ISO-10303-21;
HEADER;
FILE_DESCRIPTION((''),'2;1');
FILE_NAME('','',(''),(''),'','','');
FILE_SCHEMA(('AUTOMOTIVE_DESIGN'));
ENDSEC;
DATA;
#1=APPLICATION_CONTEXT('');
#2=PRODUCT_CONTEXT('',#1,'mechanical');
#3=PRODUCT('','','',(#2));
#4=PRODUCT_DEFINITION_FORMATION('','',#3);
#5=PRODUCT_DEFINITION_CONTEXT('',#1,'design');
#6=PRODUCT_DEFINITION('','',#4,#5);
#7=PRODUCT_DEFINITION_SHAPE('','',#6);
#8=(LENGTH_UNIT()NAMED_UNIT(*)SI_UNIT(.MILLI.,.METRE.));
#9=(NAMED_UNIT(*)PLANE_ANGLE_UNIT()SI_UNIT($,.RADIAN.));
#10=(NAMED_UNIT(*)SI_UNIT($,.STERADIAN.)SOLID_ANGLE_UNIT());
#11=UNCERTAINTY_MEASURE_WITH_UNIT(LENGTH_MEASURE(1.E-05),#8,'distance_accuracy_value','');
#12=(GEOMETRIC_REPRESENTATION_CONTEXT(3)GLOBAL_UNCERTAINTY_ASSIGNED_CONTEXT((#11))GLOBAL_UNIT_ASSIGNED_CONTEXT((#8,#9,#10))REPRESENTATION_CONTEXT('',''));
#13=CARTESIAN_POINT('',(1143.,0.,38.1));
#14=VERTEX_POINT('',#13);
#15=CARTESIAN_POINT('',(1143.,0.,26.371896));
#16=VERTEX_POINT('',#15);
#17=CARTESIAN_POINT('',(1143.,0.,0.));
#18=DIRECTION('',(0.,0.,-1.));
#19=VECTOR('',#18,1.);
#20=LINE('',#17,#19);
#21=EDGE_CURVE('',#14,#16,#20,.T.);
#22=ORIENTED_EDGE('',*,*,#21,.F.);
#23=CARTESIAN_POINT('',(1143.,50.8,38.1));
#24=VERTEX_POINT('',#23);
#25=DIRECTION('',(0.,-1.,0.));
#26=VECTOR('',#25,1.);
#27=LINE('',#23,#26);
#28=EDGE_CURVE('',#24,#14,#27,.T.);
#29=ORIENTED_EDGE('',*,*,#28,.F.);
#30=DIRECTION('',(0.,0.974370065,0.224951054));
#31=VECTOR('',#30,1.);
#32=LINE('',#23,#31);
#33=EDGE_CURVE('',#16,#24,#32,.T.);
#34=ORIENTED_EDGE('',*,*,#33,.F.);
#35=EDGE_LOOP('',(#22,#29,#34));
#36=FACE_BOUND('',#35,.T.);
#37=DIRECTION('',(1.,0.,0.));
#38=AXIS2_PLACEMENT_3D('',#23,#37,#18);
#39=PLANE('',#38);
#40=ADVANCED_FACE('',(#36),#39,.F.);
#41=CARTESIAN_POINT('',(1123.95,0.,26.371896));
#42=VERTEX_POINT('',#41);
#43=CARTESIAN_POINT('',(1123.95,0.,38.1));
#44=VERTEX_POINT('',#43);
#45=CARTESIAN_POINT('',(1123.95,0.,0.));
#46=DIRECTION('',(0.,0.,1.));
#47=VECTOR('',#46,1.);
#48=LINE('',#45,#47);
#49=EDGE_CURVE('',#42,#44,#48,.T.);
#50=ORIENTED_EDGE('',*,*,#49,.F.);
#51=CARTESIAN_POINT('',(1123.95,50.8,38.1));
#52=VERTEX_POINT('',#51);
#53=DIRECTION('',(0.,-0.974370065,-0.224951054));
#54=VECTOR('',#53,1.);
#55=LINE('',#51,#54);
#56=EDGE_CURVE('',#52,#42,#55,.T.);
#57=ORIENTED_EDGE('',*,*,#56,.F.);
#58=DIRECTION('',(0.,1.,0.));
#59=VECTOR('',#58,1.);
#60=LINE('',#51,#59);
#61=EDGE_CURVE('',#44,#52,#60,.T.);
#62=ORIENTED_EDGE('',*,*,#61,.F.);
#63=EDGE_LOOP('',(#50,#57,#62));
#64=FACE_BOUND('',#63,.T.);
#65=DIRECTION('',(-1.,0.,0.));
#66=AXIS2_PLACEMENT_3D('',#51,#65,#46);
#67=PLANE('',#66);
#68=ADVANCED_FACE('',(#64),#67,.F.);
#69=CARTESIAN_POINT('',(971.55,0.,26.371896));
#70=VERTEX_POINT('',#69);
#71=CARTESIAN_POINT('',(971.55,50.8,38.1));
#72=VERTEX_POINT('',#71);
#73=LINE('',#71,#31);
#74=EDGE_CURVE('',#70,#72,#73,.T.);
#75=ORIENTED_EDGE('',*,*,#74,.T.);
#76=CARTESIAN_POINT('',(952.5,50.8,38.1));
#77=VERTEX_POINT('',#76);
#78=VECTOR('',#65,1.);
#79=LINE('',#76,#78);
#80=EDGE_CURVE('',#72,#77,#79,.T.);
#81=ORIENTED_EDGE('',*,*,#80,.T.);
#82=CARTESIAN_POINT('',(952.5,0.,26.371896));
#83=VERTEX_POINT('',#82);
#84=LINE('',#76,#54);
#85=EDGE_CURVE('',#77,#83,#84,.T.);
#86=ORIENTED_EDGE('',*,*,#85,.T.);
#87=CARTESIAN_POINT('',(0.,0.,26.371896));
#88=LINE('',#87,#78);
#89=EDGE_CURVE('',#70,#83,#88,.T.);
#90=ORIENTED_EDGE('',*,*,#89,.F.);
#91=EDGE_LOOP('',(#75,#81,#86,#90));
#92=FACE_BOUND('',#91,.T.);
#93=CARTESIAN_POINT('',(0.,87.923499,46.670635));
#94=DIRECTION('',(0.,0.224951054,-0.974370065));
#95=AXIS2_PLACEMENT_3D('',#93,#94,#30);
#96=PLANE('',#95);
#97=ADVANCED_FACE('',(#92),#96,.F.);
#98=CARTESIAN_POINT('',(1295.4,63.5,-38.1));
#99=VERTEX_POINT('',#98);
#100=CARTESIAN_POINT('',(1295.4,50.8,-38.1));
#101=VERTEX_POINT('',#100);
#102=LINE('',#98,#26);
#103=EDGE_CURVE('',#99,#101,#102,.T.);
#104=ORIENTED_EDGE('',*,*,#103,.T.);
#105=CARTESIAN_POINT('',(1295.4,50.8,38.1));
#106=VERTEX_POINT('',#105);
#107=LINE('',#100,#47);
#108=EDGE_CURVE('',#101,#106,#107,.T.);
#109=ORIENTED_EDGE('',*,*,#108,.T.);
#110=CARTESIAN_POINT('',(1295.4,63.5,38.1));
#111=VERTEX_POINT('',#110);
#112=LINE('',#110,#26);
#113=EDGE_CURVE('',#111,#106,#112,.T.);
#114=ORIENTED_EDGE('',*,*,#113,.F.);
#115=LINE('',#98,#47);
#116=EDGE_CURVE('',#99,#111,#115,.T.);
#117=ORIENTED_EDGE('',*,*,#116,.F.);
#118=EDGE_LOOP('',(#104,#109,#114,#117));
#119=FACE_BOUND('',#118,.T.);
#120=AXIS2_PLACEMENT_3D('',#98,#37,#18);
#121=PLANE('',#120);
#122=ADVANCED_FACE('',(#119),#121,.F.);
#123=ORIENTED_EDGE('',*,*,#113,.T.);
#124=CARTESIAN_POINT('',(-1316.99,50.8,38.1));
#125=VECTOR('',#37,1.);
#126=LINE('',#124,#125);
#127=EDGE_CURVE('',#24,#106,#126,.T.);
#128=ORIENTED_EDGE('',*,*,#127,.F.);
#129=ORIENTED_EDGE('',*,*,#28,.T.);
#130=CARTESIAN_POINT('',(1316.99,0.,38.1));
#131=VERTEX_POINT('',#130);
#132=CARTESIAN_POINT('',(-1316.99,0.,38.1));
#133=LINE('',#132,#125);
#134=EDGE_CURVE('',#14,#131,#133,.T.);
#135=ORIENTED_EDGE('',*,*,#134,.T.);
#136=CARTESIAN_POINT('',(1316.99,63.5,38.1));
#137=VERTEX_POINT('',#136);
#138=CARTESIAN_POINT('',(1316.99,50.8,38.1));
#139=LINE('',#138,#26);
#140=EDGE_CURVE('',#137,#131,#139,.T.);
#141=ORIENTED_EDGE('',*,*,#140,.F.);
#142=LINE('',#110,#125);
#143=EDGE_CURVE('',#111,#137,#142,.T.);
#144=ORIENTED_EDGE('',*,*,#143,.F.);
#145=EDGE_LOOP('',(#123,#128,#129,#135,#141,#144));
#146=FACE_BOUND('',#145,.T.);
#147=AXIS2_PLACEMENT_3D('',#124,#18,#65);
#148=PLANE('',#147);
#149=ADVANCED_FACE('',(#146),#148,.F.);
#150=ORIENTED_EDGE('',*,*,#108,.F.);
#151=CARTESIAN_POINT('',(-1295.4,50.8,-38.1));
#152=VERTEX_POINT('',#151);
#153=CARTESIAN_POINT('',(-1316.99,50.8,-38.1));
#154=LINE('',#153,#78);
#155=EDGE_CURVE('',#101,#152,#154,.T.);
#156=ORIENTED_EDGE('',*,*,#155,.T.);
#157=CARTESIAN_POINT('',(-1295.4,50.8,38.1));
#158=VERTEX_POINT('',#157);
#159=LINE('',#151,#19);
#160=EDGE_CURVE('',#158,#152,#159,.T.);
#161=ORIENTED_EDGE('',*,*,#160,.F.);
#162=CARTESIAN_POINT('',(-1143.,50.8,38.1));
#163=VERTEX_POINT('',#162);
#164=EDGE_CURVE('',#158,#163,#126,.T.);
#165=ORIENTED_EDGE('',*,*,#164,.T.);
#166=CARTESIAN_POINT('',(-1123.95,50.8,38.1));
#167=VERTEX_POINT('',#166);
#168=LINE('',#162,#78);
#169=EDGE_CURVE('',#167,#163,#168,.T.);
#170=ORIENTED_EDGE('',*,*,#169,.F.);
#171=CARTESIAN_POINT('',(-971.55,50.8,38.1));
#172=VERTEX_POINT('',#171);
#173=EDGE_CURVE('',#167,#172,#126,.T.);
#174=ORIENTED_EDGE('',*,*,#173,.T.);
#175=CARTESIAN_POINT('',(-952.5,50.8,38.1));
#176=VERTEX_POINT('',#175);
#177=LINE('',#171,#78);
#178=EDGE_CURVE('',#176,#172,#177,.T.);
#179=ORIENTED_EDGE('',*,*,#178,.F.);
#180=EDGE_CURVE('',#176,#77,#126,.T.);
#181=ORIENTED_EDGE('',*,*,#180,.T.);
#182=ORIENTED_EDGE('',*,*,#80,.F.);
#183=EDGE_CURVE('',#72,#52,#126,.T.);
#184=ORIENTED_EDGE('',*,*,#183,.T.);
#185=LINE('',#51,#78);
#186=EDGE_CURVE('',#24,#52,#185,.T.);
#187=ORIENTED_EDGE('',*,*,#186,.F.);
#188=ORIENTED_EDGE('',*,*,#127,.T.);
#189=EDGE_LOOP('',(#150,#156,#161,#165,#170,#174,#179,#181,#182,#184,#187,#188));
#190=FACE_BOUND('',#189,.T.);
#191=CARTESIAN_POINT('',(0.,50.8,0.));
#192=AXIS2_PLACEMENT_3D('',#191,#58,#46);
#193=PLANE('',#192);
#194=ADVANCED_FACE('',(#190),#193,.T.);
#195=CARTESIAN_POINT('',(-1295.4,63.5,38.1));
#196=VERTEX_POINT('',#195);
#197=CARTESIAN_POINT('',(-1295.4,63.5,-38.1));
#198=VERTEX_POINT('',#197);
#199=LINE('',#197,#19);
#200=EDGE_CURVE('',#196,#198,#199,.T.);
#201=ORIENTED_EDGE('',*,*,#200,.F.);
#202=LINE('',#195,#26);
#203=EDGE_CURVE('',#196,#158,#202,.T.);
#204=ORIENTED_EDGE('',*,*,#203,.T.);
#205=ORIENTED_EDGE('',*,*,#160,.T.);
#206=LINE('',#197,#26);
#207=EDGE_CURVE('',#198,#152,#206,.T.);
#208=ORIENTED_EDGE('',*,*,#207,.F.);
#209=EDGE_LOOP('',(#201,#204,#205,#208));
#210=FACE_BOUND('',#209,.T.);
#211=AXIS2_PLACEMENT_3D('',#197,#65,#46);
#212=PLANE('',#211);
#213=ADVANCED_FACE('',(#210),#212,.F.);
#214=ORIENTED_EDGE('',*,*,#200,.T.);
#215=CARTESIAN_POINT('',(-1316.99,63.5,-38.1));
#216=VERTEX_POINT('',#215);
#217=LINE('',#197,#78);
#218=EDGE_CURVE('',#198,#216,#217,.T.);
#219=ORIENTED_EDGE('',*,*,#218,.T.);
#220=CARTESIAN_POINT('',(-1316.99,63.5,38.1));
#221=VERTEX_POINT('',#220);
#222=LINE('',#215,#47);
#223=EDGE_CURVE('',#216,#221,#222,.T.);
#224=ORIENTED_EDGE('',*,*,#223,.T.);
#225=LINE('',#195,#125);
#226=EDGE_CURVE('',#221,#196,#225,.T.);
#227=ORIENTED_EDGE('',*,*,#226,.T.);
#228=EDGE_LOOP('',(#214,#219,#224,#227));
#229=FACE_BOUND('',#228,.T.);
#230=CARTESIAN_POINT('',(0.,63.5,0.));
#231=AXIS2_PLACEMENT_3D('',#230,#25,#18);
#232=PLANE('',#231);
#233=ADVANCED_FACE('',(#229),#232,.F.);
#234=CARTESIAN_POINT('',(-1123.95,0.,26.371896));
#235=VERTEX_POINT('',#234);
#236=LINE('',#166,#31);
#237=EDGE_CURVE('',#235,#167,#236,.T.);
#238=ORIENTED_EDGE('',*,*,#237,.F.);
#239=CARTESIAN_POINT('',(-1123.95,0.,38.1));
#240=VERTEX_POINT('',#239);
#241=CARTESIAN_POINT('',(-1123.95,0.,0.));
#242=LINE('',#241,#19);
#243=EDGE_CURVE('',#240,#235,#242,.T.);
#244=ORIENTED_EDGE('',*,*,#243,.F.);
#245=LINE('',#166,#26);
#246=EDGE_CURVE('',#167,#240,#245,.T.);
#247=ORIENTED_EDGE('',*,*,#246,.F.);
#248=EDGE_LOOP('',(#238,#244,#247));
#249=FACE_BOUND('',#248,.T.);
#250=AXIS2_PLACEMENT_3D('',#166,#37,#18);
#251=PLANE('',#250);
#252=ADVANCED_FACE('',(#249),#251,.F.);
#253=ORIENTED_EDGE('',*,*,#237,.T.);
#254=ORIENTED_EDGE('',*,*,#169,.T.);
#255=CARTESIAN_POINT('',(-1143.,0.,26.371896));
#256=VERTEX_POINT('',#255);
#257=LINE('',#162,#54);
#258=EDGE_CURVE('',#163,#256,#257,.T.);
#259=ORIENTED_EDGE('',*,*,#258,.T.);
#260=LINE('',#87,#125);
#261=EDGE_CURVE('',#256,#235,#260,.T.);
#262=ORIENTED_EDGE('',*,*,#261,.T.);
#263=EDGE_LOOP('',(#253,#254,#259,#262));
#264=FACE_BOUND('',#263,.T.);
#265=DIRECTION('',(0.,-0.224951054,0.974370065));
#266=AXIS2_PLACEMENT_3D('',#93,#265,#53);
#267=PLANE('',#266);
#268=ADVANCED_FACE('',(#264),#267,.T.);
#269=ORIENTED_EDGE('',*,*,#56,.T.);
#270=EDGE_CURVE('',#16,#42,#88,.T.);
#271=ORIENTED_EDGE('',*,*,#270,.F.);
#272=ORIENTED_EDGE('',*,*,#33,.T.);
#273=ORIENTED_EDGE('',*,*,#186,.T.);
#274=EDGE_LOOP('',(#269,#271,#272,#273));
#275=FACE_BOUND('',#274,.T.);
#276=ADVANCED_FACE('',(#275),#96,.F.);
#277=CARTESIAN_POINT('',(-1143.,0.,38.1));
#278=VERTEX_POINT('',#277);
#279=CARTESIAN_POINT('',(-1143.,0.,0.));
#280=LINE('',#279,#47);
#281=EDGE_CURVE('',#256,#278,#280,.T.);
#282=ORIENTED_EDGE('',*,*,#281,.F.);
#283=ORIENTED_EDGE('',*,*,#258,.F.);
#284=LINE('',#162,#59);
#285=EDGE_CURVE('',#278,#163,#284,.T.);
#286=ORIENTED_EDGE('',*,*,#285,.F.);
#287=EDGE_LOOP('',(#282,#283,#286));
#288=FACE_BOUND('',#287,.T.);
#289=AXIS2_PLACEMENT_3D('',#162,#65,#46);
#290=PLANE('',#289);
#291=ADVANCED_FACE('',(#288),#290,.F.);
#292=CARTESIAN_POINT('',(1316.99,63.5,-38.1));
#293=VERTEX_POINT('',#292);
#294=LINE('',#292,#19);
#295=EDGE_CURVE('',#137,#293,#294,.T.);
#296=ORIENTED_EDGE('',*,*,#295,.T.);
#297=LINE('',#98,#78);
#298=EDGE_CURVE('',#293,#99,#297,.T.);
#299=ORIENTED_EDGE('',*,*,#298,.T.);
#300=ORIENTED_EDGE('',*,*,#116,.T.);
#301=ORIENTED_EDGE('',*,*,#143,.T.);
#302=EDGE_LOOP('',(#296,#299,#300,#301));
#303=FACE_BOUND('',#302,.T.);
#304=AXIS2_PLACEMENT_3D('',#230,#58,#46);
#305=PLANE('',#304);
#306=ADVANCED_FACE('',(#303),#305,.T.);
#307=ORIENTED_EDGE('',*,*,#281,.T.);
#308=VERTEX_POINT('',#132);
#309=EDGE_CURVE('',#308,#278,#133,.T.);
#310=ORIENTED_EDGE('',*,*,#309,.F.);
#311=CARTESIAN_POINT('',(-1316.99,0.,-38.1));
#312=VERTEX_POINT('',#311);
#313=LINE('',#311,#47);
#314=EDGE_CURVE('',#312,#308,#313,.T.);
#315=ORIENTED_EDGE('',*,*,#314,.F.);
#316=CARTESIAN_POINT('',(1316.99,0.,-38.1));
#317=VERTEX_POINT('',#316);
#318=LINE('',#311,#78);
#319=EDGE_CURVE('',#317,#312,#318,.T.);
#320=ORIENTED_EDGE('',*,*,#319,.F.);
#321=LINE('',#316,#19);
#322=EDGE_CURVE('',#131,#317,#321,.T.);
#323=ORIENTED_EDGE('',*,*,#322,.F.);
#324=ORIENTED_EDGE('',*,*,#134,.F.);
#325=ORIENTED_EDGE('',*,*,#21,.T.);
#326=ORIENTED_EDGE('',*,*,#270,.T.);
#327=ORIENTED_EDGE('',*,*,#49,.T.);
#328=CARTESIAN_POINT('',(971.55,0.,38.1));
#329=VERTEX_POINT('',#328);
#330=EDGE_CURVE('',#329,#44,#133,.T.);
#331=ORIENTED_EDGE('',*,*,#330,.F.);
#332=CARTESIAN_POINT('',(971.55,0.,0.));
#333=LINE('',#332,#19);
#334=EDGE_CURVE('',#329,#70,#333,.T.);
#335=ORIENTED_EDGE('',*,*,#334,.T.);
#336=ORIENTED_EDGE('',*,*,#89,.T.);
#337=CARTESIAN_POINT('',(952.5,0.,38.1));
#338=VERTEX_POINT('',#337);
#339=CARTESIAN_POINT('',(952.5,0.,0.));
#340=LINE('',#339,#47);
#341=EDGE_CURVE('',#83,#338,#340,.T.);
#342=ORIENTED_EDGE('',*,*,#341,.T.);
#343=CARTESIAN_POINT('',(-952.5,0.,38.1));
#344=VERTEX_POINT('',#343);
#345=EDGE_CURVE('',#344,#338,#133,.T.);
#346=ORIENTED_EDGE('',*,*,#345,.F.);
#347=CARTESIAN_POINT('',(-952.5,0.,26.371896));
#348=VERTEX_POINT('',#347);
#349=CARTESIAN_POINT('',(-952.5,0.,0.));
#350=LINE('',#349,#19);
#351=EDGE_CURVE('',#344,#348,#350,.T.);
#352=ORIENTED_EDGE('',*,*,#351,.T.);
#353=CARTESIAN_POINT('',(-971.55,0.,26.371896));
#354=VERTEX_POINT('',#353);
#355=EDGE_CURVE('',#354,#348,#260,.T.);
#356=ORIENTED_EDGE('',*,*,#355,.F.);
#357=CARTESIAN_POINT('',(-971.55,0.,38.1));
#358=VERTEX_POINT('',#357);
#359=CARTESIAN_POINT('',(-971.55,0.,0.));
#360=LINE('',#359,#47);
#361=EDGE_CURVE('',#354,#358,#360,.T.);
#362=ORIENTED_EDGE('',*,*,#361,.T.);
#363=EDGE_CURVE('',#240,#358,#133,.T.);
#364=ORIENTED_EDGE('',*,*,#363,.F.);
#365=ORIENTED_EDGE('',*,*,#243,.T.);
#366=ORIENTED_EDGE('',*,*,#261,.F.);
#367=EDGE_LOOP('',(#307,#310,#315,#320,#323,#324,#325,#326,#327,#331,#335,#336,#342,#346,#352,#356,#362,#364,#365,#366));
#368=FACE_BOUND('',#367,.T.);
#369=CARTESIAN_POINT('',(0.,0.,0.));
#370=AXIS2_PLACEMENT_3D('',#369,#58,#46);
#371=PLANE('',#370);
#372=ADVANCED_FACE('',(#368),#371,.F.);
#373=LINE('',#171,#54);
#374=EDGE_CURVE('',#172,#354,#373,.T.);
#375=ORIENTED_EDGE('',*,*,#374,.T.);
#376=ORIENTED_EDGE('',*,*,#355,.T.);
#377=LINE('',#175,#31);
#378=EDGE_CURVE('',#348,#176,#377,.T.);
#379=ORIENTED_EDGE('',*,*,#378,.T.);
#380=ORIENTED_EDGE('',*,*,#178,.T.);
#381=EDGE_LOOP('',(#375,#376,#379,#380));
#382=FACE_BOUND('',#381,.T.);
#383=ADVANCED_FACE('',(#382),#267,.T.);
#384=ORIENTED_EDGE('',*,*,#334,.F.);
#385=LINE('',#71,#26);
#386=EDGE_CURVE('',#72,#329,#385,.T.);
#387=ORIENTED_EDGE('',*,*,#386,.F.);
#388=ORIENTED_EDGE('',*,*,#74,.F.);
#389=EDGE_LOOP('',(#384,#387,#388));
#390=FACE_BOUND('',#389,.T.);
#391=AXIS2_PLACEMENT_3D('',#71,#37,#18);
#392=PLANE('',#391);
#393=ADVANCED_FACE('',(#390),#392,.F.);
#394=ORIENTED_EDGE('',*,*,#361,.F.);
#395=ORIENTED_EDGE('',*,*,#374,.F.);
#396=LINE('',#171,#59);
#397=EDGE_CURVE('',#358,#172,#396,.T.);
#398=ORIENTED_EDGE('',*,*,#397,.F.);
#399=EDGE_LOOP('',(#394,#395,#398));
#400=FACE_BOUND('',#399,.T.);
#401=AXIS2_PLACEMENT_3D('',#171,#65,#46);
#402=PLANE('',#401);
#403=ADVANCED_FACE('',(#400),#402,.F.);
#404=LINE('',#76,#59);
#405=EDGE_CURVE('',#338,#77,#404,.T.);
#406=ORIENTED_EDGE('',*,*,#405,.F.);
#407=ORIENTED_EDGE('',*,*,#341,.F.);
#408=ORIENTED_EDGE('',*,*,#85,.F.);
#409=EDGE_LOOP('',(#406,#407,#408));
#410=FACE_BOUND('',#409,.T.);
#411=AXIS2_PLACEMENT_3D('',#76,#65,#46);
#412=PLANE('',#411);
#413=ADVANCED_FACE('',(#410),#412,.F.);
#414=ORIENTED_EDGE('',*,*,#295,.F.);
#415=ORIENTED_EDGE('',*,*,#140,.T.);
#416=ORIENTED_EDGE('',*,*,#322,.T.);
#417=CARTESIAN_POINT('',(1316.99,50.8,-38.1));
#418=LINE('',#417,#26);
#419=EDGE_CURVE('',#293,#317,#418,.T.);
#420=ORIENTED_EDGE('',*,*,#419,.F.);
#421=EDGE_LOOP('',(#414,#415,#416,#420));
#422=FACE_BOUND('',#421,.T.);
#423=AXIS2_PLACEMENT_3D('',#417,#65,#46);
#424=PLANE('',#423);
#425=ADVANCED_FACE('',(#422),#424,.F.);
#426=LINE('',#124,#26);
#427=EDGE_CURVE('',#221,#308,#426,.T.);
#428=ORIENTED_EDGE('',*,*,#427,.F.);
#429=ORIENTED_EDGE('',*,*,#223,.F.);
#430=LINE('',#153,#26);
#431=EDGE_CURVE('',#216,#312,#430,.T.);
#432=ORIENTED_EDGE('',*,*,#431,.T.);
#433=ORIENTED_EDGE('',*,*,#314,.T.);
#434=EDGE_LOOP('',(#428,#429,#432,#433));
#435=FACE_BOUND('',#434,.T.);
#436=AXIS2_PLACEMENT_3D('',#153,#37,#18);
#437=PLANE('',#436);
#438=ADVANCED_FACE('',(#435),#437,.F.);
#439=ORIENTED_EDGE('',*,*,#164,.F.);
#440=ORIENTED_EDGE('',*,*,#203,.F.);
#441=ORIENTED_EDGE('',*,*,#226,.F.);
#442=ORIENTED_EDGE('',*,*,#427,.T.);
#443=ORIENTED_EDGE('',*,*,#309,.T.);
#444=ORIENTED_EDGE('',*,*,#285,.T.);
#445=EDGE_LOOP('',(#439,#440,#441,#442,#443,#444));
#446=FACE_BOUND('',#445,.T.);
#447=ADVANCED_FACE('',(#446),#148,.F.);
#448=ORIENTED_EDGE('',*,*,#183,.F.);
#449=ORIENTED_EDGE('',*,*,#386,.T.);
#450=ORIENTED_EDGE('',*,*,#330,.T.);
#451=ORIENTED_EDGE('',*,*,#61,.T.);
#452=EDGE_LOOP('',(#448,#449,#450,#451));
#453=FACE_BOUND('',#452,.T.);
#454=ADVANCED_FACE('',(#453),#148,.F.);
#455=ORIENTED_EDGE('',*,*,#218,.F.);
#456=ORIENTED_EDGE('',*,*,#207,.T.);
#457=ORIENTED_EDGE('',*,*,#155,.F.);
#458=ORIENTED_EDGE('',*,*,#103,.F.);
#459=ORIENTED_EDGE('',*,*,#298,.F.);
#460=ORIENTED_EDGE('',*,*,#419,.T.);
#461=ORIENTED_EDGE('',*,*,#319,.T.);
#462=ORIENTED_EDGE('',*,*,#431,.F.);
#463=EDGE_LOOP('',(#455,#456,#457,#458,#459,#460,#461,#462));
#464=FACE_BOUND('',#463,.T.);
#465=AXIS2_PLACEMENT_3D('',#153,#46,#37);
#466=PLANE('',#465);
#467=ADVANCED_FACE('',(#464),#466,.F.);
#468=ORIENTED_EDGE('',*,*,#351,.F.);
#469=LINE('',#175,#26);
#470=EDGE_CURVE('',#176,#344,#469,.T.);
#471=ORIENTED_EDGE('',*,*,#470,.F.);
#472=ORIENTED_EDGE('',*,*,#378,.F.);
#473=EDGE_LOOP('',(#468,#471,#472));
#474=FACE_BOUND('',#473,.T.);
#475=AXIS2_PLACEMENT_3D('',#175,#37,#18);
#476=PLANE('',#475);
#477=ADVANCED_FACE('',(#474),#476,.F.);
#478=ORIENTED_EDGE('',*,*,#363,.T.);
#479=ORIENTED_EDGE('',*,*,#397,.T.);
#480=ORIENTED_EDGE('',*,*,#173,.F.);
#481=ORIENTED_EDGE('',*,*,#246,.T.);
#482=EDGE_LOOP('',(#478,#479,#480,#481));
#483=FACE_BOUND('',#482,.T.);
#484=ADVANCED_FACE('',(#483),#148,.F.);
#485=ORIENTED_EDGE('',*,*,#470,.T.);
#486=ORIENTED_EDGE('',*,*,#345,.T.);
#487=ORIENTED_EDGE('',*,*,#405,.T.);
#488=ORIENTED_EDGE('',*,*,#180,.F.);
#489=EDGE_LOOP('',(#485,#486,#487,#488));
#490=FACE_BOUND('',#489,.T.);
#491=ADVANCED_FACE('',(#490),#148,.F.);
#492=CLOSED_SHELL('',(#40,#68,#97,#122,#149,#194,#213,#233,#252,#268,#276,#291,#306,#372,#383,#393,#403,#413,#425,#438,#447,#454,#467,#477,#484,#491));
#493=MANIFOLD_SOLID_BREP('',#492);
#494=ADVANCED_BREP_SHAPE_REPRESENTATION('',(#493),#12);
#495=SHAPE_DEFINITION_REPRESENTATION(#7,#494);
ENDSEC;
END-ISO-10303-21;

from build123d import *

# Parameters (mm, degrees)
SKETCH1_W           = 2633.98
SKETCH1_H           = 76.2
BOSS_EXTRUDE1_DEPTH = 50.8
SKETCH2_W           = 19.05
SKETCH2_H           = 63.5
CUT_REVOLVE4_ANGLE  = 103
SKETCH3_W           = 21.59
SKETCH3_H           = 76.2
BOSS_EXTRUDE2_DEPTH = 12.7


with BuildPart() as part:
    # Sketch1 → Boss-Extrude1 (new body)
    with BuildSketch(Plane(origin=(0, 0, 0), x_dir=(1, 0, 0), z_dir=(0, 1, 0))):
        Rectangle(SKETCH1_W, SKETCH1_H)
    extrude(amount=BOSS_EXTRUDE1_DEPTH)

    # Sketch2 → Cut-Revolve4 (revolve, cut)
    with BuildSketch(Plane(origin=(0, 50.8, 0), x_dir=(1, 0, 0), z_dir=(0, 1, 0))):
        with Locations((-962.025, -69.85)):
            Rectangle(SKETCH2_W, SKETCH2_H)
        with Locations((-1133.475, -69.85)):
            Rectangle(SKETCH2_W, SKETCH2_H)
        with Locations((962.025, -69.85)):
            Rectangle(SKETCH2_W, SKETCH2_H)
        with Locations((1133.475, -69.85)):
            Rectangle(SKETCH2_W, SKETCH2_H)
    revolve(axis=Axis((-1316.99, 50.8, 38.1), (1, 0, 0)), revolution_arc=CUT_REVOLVE4_ANGLE, mode=Mode.SUBTRACT)

    # Sketch3 → Boss-Extrude2 (add)
    with BuildSketch(Plane(origin=(0, 50.8, 0), x_dir=(1, 0, 0), z_dir=(0, 1, 0))):
        with Locations((-1306.195, 0)):
            Rectangle(SKETCH3_W, SKETCH3_H)
        with Locations((1306.195, 0)):
            Rectangle(SKETCH3_W, SKETCH3_H)
    extrude(amount=BOSS_EXTRUDE2_DEPTH)


solid = part.part
